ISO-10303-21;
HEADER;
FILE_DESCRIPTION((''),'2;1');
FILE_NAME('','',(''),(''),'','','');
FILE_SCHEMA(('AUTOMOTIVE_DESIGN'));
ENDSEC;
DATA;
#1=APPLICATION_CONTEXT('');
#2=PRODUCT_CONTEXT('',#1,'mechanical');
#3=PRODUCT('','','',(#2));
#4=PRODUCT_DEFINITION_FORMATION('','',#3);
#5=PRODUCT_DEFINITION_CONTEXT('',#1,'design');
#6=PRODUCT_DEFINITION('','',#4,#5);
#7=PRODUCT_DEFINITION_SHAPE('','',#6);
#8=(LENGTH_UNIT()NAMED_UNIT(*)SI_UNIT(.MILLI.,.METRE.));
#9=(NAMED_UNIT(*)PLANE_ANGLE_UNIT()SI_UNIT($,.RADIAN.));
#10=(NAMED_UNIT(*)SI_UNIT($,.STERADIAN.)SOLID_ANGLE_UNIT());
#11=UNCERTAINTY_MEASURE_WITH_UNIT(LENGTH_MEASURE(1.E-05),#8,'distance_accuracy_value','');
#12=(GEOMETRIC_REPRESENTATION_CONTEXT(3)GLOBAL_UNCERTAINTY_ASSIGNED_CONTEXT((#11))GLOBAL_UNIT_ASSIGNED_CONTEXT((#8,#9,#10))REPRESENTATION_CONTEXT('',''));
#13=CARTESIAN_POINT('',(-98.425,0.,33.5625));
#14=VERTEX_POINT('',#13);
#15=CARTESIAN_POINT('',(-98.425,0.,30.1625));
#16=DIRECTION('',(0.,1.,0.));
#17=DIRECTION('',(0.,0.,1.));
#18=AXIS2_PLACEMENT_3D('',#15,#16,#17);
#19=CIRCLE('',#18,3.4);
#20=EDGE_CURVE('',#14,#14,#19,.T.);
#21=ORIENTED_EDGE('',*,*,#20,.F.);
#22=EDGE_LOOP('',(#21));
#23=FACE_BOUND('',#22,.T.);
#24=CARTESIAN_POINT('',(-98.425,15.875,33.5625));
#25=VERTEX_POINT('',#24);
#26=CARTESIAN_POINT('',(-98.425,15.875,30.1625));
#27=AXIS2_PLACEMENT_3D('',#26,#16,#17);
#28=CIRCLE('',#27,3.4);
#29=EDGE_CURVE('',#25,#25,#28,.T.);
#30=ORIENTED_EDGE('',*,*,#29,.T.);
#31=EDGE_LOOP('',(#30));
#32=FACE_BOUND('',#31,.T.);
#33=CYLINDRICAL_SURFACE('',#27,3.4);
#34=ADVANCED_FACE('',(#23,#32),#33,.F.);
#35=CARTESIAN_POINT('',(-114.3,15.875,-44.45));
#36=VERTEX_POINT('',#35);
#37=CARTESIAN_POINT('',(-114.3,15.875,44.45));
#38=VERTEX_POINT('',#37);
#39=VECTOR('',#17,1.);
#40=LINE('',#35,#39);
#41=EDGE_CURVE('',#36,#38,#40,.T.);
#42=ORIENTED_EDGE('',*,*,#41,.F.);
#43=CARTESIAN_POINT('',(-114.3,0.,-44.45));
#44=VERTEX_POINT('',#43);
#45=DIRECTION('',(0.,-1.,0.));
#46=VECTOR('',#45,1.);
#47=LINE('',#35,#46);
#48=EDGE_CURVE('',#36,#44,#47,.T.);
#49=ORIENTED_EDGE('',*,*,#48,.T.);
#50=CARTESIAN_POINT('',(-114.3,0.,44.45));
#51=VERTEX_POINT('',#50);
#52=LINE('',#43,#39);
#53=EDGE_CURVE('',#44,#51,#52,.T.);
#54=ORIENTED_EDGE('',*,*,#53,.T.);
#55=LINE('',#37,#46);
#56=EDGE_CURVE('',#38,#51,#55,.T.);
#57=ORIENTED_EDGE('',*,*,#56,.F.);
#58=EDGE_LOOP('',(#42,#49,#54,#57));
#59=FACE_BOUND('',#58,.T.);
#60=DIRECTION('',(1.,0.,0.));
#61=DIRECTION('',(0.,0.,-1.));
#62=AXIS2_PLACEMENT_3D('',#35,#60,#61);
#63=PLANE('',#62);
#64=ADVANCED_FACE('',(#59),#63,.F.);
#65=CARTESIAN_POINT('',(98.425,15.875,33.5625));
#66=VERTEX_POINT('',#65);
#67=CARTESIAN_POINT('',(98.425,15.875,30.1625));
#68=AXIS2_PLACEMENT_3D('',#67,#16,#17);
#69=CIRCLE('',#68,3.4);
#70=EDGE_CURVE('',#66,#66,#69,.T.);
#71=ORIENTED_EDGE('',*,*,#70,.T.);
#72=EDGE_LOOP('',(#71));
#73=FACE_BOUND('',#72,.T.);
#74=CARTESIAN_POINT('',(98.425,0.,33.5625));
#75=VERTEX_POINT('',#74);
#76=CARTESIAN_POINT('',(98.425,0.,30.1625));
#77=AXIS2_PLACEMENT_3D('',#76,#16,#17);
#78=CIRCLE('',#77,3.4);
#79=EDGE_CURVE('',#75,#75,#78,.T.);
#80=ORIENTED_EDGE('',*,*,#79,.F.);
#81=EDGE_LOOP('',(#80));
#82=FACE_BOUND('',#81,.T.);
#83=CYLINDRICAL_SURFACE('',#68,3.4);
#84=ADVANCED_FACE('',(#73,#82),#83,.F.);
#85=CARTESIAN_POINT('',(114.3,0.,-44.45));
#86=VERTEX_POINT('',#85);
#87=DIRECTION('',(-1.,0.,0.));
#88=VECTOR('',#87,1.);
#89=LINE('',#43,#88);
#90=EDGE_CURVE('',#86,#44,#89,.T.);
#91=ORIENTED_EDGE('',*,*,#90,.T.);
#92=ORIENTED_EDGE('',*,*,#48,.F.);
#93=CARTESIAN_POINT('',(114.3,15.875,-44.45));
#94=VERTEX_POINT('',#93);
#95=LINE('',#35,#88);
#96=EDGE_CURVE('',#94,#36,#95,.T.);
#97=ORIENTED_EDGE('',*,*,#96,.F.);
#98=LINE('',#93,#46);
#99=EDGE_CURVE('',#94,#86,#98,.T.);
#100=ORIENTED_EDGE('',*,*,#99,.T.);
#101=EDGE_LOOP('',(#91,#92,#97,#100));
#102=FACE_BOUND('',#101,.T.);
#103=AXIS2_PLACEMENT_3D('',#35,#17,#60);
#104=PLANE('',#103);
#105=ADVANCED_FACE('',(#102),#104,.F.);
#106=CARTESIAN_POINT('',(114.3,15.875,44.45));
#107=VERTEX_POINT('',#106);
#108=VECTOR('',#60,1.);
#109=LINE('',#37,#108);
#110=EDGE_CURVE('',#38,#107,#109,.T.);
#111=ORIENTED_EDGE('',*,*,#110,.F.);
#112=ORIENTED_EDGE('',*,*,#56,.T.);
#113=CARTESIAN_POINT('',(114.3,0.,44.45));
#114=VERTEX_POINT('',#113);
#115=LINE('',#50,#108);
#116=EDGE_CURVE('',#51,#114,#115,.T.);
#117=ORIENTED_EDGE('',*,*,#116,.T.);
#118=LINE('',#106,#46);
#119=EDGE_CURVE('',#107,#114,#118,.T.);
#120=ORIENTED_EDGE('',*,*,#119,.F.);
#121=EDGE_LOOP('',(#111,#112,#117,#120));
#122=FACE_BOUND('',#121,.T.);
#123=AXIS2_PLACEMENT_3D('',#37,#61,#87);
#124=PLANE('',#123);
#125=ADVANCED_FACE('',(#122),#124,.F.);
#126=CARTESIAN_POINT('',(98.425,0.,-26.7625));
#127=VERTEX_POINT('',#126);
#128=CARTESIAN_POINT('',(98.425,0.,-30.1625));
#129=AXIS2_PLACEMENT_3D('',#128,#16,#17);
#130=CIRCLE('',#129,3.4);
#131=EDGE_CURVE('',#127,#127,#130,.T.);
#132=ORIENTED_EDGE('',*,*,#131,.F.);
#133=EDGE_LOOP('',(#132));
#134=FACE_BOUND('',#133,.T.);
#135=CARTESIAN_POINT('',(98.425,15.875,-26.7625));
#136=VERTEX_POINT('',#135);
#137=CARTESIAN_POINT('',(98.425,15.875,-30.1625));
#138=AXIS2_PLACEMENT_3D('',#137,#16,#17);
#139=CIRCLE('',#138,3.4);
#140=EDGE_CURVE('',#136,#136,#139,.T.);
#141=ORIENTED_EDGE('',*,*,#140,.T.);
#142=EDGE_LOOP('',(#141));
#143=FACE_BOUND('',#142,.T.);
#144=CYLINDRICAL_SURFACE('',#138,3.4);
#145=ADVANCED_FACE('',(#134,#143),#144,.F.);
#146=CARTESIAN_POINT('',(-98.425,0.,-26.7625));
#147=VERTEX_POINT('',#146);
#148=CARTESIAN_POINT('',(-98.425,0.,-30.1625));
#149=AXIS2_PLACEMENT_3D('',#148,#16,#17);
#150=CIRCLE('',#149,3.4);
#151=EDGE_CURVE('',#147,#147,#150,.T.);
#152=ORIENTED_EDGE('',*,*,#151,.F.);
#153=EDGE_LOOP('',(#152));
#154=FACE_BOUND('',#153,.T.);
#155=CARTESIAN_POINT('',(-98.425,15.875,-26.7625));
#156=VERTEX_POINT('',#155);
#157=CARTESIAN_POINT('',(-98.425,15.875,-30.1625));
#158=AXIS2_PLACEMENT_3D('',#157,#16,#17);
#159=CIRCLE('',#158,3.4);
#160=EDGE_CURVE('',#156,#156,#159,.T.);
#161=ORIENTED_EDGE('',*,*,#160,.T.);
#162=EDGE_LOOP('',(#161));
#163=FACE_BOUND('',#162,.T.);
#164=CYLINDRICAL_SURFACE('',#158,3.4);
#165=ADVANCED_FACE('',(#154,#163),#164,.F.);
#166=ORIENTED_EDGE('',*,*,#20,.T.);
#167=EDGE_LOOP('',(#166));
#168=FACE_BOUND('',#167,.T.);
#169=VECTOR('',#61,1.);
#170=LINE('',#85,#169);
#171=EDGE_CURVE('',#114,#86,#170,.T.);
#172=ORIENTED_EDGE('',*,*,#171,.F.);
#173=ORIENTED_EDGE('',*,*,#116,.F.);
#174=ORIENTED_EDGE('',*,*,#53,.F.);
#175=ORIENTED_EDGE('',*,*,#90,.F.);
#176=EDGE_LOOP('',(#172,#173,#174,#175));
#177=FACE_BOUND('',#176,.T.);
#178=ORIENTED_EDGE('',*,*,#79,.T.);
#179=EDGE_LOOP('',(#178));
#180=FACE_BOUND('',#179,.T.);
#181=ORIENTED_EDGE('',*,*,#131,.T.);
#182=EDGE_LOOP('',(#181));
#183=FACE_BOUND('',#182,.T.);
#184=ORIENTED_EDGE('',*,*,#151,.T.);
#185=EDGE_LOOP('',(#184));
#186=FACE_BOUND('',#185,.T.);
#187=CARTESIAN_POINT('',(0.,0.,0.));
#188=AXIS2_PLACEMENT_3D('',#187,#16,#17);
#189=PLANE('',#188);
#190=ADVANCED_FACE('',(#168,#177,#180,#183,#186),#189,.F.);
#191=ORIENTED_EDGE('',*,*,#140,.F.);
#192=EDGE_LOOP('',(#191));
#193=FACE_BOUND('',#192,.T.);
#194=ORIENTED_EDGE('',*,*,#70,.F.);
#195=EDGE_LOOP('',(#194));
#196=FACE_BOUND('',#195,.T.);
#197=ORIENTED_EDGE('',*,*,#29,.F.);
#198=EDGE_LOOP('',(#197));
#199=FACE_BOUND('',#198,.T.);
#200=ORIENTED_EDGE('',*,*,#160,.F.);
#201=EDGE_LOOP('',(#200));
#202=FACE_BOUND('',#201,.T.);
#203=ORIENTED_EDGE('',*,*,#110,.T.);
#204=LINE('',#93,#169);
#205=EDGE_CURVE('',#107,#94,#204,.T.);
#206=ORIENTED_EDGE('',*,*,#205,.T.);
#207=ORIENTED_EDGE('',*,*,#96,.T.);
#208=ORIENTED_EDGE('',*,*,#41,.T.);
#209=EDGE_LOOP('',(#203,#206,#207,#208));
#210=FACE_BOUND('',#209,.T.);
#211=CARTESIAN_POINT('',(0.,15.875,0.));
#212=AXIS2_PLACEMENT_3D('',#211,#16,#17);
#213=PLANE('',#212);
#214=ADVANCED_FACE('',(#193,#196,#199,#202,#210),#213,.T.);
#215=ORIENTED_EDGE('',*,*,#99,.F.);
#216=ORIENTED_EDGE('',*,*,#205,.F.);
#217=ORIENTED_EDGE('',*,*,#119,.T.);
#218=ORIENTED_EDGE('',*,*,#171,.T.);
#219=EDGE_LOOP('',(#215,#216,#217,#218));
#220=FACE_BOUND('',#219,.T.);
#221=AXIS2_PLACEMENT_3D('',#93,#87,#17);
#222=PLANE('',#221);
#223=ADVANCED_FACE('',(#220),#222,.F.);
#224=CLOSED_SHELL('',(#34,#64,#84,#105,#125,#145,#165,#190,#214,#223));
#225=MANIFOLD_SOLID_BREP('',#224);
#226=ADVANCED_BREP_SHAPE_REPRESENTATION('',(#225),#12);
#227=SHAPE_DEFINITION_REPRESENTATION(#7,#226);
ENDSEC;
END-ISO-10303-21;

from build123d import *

# Parameters (mm, degrees)
SKETCH1_W                  = 228.6
SKETCH1_H                  = 88.9
BOSS_EXTRUDE1_DEPTH        = 15.875
M8X1_25_TAPPED_HOLE1_D     = 6.8
M8X1_25_TAPPED_HOLE1_DEPTH = 19.7612
M8X1_25_TAPPED_HOLE1_TIP   = 2.042926105


with BuildPart() as part:
    # Sketch1 → Boss-Extrude1 (new body)
    with BuildSketch(Plane(origin=(0, 0, 0), x_dir=(1, 0, 0), z_dir=(0, 1, 0))):
        Rectangle(SKETCH1_W, SKETCH1_H)
    extrude(amount=BOSS_EXTRUDE1_DEPTH)

    # M8x1.25 Tapped Hole1
    with Locations(Plane(origin=(0, 15.875, 0), x_dir=(1, 0, 0), z_dir=(0, 1, 0))):
        with Locations((-98.425, -30.1625), (-98.425, 30.1625), (98.425, 30.1625), (98.425, -30.1625)):
            Hole(M8X1_25_TAPPED_HOLE1_D / 2, depth=M8X1_25_TAPPED_HOLE1_DEPTH)
            with Locations((0, 0, -(M8X1_25_TAPPED_HOLE1_DEPTH + M8X1_25_TAPPED_HOLE1_TIP / 2))):  # 118° drill point
                Cone(0, M8X1_25_TAPPED_HOLE1_D / 2, M8X1_25_TAPPED_HOLE1_TIP, mode=Mode.SUBTRACT)


solid = part.part
